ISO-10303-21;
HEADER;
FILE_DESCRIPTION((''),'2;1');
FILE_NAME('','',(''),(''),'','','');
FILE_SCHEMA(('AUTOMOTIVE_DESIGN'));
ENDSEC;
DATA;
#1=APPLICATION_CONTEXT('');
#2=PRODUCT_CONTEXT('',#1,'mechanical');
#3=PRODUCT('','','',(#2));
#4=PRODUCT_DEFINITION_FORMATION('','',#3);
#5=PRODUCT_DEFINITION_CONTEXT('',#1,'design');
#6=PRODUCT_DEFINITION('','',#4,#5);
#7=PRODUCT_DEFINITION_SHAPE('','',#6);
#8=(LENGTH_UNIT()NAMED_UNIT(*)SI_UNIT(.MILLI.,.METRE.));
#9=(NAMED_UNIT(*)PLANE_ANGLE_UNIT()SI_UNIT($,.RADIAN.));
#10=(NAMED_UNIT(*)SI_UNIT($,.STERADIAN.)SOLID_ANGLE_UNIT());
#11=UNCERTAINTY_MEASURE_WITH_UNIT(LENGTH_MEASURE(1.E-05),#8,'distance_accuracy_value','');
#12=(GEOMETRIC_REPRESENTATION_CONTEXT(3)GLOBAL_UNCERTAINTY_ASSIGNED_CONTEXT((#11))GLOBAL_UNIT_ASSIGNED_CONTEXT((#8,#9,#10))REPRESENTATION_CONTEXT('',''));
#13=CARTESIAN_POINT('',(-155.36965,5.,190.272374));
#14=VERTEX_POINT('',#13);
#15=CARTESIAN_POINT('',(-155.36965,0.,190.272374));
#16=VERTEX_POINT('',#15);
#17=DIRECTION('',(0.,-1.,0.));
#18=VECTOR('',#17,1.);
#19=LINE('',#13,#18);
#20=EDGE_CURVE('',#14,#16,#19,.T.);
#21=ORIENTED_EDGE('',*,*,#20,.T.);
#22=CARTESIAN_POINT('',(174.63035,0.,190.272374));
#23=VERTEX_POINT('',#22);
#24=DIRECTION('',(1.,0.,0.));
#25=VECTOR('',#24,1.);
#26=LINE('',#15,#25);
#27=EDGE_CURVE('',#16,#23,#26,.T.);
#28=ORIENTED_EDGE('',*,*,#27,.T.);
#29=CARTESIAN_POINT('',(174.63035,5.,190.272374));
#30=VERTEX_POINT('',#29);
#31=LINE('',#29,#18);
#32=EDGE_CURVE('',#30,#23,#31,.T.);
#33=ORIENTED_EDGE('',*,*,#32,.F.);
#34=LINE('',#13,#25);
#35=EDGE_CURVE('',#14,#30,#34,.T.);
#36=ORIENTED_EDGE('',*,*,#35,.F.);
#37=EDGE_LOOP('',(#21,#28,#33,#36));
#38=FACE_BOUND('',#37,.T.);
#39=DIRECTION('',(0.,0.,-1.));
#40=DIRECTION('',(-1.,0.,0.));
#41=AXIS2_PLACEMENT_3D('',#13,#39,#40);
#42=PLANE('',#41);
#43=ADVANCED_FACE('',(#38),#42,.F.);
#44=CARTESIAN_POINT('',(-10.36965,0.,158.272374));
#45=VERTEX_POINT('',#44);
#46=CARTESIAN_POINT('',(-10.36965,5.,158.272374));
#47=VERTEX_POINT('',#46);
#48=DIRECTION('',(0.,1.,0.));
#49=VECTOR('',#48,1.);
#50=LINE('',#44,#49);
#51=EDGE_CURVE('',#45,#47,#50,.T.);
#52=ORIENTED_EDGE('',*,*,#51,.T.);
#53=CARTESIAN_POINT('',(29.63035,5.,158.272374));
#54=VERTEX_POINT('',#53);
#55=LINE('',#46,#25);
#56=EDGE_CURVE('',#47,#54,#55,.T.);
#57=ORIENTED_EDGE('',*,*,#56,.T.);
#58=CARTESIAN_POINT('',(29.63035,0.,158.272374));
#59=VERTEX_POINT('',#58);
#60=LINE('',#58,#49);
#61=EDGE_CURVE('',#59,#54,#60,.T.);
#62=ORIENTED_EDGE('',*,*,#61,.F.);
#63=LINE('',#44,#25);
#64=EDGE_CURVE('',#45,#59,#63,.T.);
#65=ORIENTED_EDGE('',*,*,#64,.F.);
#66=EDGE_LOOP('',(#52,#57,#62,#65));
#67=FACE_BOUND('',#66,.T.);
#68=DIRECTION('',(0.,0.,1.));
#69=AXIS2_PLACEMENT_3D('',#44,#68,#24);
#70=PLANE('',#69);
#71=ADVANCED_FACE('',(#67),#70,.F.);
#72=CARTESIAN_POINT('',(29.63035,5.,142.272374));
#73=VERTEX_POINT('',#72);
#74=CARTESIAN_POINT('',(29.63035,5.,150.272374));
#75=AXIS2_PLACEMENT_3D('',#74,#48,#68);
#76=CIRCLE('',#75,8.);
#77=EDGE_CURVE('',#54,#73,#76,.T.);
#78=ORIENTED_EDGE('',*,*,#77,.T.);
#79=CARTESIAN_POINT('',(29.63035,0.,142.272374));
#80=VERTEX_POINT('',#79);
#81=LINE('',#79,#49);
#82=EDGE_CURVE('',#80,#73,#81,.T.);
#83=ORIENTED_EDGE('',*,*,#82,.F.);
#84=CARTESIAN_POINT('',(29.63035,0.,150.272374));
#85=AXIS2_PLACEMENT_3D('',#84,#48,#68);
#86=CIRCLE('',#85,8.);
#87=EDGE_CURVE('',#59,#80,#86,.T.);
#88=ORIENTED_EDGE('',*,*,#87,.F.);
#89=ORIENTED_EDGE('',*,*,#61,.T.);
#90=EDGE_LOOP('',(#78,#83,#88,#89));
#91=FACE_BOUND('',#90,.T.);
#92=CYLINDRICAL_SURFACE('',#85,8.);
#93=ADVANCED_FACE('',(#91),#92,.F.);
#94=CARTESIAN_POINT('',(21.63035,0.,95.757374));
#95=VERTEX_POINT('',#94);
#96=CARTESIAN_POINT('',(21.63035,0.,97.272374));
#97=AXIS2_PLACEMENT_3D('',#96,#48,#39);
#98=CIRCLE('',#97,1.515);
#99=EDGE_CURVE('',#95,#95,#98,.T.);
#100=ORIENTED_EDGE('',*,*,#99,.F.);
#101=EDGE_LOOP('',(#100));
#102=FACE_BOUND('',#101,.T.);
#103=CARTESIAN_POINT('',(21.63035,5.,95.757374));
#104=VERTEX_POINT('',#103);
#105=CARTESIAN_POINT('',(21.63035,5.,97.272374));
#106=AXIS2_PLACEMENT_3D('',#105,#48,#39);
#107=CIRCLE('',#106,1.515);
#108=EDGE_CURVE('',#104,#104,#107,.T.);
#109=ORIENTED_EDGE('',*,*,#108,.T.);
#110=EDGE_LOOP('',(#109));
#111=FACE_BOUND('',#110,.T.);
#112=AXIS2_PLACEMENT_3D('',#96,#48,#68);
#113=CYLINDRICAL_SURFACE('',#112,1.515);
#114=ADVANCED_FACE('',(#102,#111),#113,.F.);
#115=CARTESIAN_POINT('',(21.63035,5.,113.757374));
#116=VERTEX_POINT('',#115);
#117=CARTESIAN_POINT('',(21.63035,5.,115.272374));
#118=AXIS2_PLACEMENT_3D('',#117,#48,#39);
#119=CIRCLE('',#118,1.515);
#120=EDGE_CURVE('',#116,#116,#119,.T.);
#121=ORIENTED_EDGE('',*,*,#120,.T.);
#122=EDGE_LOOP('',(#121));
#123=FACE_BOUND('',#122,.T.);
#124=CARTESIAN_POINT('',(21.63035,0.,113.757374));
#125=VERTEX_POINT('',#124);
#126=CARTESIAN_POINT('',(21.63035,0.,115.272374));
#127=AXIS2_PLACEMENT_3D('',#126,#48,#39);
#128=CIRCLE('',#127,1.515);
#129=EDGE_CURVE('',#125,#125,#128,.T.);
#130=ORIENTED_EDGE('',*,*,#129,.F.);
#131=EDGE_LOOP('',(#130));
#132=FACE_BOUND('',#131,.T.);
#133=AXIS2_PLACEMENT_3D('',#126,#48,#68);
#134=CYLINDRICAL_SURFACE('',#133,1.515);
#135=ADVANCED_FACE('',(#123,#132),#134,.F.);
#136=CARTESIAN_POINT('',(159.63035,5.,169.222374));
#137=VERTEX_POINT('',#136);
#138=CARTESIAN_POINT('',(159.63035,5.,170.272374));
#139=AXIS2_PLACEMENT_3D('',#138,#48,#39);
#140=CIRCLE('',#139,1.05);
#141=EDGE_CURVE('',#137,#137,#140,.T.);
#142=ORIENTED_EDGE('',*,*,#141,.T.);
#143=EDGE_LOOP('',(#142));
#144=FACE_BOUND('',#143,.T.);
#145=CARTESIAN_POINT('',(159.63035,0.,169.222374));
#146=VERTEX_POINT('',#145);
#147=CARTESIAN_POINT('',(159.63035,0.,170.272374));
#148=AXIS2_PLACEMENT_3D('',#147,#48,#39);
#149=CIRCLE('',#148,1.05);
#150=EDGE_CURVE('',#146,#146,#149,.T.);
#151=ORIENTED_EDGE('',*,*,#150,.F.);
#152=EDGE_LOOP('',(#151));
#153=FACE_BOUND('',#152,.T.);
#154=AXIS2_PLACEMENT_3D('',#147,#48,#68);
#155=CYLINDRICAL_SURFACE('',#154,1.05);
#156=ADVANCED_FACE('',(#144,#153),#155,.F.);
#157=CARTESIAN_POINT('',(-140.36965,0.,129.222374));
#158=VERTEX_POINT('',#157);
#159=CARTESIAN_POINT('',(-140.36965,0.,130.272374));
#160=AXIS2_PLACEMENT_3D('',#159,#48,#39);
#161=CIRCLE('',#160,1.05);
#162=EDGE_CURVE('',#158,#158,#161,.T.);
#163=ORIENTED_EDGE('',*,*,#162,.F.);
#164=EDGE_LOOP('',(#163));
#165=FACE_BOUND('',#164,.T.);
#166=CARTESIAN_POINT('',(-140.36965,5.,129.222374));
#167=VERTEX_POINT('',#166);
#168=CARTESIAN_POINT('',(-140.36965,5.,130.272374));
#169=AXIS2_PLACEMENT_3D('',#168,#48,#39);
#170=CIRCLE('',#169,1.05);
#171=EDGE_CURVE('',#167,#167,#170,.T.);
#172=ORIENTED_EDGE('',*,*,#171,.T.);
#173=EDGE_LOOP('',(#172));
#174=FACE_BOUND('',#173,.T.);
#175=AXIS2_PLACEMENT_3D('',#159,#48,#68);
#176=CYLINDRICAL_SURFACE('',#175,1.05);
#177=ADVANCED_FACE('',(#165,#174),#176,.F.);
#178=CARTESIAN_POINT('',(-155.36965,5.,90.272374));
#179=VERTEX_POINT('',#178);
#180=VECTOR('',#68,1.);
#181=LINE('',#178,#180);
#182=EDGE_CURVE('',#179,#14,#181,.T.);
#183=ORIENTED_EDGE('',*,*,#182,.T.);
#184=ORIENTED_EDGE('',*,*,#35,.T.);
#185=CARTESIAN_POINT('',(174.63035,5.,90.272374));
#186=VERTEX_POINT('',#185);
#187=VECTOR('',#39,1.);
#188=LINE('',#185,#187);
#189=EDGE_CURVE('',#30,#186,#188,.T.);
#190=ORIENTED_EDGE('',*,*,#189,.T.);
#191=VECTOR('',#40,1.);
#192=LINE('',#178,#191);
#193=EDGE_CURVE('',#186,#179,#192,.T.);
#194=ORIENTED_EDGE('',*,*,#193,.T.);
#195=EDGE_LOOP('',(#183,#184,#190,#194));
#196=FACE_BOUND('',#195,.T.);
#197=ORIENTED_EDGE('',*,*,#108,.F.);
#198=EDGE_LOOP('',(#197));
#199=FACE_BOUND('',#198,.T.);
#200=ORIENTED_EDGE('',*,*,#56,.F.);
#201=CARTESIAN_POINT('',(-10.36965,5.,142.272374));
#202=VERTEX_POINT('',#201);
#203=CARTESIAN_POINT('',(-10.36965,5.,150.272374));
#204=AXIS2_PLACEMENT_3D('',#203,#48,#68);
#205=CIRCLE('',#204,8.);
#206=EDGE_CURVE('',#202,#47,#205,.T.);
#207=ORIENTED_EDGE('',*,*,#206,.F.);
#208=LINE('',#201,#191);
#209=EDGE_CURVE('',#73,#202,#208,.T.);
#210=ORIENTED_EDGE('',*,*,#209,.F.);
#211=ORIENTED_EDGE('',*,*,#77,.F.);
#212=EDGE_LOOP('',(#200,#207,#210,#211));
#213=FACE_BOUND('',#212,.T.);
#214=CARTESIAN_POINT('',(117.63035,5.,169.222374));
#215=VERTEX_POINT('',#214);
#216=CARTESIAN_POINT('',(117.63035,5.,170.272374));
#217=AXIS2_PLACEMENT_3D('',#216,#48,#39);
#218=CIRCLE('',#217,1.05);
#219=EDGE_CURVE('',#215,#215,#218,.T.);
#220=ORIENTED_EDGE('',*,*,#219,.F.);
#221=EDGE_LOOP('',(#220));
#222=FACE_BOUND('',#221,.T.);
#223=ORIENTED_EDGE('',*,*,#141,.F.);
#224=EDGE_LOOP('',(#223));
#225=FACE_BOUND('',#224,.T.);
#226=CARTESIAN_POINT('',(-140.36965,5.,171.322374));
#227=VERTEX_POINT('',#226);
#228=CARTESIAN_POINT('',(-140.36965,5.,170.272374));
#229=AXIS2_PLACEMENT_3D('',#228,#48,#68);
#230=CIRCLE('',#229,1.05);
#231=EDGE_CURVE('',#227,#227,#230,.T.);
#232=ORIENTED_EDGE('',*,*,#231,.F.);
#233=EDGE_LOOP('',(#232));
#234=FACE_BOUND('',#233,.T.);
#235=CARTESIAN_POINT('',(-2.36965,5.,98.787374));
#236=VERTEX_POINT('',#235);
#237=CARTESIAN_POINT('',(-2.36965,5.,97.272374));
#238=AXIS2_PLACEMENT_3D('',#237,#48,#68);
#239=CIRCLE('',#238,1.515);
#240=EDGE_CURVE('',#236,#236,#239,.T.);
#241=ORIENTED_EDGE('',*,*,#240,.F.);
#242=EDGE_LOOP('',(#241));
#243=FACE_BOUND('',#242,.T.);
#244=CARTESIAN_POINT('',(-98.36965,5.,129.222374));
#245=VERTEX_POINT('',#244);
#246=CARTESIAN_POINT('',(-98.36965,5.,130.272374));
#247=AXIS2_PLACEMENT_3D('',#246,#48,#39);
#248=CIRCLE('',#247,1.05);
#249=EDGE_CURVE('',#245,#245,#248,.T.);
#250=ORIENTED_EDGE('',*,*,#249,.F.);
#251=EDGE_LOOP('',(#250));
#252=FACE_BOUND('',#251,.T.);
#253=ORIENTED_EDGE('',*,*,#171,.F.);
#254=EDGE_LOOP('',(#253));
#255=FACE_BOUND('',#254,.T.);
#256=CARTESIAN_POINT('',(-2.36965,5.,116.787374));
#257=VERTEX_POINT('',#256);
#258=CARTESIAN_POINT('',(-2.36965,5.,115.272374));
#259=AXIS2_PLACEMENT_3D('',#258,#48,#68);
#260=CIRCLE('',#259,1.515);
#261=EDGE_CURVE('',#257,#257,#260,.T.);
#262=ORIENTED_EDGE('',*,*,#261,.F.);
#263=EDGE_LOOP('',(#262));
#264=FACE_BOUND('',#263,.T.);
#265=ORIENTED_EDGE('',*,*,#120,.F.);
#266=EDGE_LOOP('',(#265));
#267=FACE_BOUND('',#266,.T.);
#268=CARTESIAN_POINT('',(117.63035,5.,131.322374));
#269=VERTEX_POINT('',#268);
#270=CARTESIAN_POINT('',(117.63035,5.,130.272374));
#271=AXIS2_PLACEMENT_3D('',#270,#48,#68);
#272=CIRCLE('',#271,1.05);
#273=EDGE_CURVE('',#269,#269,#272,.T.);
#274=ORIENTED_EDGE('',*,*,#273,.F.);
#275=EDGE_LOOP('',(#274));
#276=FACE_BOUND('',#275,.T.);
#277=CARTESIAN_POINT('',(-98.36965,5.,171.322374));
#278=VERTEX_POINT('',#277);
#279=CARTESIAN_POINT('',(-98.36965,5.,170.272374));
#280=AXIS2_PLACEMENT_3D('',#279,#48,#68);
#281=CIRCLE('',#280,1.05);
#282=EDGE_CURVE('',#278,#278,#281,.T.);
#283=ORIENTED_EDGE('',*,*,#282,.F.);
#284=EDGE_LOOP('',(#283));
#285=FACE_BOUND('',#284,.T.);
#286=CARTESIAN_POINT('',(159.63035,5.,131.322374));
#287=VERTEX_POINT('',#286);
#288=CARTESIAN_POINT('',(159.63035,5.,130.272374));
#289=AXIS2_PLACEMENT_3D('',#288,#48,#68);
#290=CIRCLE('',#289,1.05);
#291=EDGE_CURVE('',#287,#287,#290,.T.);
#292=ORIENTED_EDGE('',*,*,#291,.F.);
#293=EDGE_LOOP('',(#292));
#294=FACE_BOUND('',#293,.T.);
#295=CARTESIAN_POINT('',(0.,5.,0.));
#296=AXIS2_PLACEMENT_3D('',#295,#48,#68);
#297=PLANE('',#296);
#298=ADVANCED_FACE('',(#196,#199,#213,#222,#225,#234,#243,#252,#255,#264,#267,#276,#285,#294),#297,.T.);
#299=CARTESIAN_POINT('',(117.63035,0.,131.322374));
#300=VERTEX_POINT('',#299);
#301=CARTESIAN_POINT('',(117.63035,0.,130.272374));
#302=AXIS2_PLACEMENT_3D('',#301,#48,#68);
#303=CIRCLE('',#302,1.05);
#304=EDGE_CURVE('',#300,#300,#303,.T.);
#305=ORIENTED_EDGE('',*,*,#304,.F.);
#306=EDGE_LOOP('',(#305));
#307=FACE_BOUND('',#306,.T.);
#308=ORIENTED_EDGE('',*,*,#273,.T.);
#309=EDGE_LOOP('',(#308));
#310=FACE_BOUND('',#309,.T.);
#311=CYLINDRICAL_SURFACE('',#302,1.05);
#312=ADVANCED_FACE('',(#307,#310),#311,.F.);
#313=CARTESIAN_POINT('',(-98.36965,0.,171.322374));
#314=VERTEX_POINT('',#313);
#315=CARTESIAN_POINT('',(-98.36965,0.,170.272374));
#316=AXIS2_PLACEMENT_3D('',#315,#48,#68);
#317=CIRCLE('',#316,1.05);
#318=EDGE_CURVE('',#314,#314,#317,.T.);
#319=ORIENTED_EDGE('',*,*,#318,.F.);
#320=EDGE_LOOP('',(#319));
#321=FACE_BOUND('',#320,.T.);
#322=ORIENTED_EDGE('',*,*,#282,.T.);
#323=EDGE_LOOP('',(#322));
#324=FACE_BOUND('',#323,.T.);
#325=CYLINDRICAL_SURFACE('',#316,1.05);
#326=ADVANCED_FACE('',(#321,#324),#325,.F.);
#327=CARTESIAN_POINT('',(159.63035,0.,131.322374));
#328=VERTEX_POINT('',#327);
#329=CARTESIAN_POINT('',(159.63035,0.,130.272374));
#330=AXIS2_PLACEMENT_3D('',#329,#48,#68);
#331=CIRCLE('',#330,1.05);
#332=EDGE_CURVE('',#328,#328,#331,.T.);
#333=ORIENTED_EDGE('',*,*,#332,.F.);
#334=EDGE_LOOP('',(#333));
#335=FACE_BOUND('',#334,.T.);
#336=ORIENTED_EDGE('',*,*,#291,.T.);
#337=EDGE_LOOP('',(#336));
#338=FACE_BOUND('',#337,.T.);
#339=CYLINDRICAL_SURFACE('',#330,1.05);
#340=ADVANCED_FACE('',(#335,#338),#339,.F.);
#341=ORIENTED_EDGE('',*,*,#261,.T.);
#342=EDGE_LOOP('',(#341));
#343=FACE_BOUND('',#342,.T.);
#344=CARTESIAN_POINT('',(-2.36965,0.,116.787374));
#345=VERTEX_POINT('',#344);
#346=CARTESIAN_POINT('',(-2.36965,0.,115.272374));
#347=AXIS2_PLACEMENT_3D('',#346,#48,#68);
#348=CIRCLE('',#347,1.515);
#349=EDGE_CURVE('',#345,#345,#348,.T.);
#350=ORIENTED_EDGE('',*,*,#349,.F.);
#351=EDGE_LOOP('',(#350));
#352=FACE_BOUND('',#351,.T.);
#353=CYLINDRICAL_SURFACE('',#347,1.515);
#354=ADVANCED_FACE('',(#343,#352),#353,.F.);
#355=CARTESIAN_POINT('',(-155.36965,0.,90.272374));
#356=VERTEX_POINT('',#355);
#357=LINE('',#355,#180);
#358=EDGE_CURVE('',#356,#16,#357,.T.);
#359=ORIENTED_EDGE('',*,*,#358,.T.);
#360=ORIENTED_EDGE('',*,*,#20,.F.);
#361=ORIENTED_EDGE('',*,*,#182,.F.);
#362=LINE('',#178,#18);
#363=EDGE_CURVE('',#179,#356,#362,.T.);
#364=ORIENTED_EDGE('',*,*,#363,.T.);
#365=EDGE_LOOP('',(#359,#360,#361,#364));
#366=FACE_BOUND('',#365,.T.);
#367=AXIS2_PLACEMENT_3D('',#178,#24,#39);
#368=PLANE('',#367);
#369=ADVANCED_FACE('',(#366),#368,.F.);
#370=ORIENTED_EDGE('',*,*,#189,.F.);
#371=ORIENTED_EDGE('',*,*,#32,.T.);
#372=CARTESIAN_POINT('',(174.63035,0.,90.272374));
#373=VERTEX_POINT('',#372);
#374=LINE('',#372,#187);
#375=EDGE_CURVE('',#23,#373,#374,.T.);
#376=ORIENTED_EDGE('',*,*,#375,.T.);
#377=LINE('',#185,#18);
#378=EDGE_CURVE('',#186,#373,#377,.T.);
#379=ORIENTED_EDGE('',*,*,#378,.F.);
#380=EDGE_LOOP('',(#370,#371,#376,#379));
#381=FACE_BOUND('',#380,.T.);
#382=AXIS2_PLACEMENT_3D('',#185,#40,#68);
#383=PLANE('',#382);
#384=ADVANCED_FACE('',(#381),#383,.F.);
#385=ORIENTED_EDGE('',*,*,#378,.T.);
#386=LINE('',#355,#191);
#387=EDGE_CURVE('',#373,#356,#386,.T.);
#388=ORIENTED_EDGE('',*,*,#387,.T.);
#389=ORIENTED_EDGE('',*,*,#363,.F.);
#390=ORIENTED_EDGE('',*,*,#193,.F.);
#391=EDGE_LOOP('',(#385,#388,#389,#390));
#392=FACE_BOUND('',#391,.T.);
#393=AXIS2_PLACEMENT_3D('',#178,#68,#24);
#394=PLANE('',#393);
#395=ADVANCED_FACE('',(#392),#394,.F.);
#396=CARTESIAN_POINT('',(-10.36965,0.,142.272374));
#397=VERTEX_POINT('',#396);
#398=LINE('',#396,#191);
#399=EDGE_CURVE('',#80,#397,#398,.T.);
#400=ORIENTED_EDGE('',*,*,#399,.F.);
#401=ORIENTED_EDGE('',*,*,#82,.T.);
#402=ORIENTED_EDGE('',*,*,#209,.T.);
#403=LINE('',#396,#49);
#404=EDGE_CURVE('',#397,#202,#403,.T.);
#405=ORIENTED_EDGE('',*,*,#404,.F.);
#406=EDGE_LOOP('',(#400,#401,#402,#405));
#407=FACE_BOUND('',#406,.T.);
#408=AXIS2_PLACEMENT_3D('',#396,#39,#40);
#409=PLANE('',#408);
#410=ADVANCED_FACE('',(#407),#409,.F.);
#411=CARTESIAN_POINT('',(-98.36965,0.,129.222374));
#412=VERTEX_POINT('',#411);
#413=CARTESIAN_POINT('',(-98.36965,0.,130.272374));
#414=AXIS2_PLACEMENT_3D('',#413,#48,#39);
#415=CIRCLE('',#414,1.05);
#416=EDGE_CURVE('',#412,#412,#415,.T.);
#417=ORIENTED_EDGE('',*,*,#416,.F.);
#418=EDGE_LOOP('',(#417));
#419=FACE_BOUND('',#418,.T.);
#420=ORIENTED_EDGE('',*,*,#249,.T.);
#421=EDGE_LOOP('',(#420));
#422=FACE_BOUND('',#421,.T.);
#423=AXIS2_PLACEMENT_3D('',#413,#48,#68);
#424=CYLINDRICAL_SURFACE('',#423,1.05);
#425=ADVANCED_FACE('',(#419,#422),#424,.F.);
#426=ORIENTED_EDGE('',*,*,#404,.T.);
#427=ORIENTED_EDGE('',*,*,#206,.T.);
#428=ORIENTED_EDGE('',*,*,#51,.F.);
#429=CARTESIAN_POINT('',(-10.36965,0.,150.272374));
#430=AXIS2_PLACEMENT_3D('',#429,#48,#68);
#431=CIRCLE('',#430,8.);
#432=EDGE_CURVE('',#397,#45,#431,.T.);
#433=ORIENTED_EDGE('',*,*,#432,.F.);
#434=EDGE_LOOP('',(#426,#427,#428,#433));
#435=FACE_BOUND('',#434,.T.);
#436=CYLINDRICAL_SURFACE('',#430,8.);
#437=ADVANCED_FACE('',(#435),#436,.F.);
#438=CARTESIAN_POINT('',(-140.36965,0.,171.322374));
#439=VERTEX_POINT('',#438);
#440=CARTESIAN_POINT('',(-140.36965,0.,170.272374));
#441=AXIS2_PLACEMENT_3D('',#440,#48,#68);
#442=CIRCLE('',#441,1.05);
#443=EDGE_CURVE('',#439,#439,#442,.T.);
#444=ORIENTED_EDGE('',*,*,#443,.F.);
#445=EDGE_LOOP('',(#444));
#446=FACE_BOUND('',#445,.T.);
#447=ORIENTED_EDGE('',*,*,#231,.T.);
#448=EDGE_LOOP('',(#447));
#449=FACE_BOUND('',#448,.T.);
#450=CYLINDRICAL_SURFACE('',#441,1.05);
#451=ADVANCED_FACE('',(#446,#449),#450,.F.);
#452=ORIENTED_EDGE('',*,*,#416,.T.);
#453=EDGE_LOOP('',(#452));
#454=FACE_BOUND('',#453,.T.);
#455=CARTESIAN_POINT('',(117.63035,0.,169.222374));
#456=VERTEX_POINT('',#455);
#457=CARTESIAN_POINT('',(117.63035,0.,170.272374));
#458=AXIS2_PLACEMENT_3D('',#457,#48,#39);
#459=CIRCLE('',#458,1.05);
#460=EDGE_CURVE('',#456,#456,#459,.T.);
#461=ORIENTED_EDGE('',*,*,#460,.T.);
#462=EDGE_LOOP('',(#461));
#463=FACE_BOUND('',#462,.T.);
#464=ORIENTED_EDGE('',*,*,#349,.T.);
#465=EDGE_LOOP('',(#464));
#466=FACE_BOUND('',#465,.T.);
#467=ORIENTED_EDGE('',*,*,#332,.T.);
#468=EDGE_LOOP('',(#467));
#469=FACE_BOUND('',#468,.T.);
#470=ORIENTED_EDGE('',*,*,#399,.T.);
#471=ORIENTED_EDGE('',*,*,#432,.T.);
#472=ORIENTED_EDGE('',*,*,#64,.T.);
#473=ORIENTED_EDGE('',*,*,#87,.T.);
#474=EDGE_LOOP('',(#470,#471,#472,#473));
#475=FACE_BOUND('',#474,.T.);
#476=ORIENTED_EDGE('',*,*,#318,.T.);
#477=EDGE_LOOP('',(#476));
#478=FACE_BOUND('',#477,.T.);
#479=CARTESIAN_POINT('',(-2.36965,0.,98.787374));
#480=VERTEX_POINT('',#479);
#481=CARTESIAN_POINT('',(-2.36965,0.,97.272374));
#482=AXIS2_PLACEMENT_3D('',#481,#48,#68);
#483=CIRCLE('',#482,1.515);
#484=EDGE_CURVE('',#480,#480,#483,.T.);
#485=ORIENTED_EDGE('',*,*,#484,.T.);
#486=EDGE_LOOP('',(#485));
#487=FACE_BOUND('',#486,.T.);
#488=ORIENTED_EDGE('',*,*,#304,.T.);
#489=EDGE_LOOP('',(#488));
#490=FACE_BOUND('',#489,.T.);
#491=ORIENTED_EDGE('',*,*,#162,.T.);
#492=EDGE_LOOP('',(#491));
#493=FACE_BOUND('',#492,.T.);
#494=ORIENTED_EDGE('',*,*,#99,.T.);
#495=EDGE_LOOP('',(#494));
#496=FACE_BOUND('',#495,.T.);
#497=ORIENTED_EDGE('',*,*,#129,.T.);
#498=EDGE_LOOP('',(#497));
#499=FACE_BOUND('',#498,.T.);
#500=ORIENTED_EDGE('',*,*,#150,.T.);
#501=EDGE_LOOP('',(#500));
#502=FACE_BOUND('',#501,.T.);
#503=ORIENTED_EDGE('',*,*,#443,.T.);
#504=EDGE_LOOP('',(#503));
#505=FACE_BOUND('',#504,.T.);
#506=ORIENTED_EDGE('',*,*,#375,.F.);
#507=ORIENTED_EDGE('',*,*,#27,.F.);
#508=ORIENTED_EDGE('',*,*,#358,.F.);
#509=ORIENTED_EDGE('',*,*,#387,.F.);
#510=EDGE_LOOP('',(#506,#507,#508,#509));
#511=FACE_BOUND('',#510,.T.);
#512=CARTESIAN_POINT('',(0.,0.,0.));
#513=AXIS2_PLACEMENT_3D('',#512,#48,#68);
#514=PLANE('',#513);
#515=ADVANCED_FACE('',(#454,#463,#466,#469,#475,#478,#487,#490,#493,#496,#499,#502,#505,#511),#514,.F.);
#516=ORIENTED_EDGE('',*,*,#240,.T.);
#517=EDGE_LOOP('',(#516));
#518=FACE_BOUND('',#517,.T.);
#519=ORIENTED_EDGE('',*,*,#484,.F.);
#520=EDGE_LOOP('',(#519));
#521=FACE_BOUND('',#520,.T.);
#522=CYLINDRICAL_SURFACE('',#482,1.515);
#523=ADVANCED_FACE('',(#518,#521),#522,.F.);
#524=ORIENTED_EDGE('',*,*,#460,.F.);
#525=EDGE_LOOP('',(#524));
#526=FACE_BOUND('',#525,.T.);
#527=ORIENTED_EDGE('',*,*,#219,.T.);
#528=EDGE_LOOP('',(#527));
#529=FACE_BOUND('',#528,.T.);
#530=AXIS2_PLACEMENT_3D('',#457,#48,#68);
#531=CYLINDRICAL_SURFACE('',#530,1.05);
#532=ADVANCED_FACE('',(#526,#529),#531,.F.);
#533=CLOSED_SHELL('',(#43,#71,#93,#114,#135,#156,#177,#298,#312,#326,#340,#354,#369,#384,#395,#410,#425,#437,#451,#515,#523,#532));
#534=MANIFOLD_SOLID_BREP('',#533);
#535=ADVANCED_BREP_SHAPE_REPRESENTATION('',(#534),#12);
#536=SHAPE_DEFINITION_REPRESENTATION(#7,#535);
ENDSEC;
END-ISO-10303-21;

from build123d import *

# Parameters (mm, degrees)
SKETCH_1_W          = 330
SKETCH_1_H          = 100
EXTRUDE_1_DEPTH     = 5
SKETCH_3_R          = 1.515
CUT_EXTRUDE_1_DEPTH = 259.310540517
SKETCH_4_R          = 1.05
CUT_EXTRUDE_2_DEPTH = 259.310540517


with BuildPart() as part:
    # 草图1 → 凸台-拉伸1 (new body)
    with BuildSketch(Plane(origin=(0, 0, 0), x_dir=(1, 0, 0), z_dir=(0, 1, 0))):
        with Locations((9.630350195, -140.272373541)):
            Rectangle(SKETCH_1_W, SKETCH_1_H)
    extrude(amount=EXTRUDE_1_DEPTH)

    # 草图3 → 切除-拉伸1 (cut, through all)
    with BuildSketch(Plane(origin=(0, 5, 0), x_dir=(1, 0, 0), z_dir=(0, 1, 0))):
        with Locations(Location((-2.369649805, -97.272373541, 0), (0, 0, 270))):
            Circle(SKETCH_3_R)
        with Locations(Location((21.630350195, -97.272373541, 0), (0, 0, 90))):
            Circle(SKETCH_3_R)
        with Locations(Location((-2.369649805, -115.272373541, 0), (0, 0, 270))):
            Circle(SKETCH_3_R)
        with Locations(Location((21.630350195, -115.272373541, 0), (0, 0, 90))):
            Circle(SKETCH_3_R)
    extrude(amount=-CUT_EXTRUDE_1_DEPTH, mode=Mode.SUBTRACT)

    # 草图4 → 切除-拉伸2 (cut, through all)
    with BuildSketch(Plane(origin=(0, 5, 0), x_dir=(1, 0, 0), z_dir=(0, 1, 0))):
        with Locations(Location((-140.369649805, -170.272373541, 0), (0, 0, 270))):
            Circle(SKETCH_4_R)
        with Locations(Location((-140.369649805, -130.272373541, 0), (0, 0, 90))):
            Circle(SKETCH_4_R)
        with Locations(Location((-98.369649805, -170.272373541, 0), (0, 0, 270))):
            Circle(SKETCH_4_R)
        with Locations(Location((-98.369649805, -130.272373541, 0), (0, 0, 90))):
            Circle(SKETCH_4_R)
        with Locations(Location((117.630350195, -130.272373541, 0), (0, 0, 270))):
            Circle(SKETCH_4_R)
        with Locations(Location((117.630350195, -170.272373541, 0), (0, 0, 90))):
            Circle(SKETCH_4_R)
        with Locations(Location((159.630350195, -130.272373541, 0), (0, 0, 270))):
            Circle(SKETCH_4_R)
        with Locations(Location((159.630350195, -170.272373541, 0), (0, 0, 90))):
            Circle(SKETCH_4_R)
        with BuildLine():
            Line((-10.369649805, -142.272373541), (29.630350195, -142.272373541))
            ThreePointArc((29.630350195, -142.272373541), (37.630350195, -150.272373541), (29.630350195, -158.272373541))
            Line((29.630350195, -158.272373541), (-10.369649805, -158.272373541))
            ThreePointArc((-10.369649805, -158.272373541), (-18.369649805, -150.272373541), (-10.369649805, -142.272373541))
        make_face()
    extrude(amount=-CUT_EXTRUDE_2_DEPTH, mode=Mode.SUBTRACT)


solid = part.part
